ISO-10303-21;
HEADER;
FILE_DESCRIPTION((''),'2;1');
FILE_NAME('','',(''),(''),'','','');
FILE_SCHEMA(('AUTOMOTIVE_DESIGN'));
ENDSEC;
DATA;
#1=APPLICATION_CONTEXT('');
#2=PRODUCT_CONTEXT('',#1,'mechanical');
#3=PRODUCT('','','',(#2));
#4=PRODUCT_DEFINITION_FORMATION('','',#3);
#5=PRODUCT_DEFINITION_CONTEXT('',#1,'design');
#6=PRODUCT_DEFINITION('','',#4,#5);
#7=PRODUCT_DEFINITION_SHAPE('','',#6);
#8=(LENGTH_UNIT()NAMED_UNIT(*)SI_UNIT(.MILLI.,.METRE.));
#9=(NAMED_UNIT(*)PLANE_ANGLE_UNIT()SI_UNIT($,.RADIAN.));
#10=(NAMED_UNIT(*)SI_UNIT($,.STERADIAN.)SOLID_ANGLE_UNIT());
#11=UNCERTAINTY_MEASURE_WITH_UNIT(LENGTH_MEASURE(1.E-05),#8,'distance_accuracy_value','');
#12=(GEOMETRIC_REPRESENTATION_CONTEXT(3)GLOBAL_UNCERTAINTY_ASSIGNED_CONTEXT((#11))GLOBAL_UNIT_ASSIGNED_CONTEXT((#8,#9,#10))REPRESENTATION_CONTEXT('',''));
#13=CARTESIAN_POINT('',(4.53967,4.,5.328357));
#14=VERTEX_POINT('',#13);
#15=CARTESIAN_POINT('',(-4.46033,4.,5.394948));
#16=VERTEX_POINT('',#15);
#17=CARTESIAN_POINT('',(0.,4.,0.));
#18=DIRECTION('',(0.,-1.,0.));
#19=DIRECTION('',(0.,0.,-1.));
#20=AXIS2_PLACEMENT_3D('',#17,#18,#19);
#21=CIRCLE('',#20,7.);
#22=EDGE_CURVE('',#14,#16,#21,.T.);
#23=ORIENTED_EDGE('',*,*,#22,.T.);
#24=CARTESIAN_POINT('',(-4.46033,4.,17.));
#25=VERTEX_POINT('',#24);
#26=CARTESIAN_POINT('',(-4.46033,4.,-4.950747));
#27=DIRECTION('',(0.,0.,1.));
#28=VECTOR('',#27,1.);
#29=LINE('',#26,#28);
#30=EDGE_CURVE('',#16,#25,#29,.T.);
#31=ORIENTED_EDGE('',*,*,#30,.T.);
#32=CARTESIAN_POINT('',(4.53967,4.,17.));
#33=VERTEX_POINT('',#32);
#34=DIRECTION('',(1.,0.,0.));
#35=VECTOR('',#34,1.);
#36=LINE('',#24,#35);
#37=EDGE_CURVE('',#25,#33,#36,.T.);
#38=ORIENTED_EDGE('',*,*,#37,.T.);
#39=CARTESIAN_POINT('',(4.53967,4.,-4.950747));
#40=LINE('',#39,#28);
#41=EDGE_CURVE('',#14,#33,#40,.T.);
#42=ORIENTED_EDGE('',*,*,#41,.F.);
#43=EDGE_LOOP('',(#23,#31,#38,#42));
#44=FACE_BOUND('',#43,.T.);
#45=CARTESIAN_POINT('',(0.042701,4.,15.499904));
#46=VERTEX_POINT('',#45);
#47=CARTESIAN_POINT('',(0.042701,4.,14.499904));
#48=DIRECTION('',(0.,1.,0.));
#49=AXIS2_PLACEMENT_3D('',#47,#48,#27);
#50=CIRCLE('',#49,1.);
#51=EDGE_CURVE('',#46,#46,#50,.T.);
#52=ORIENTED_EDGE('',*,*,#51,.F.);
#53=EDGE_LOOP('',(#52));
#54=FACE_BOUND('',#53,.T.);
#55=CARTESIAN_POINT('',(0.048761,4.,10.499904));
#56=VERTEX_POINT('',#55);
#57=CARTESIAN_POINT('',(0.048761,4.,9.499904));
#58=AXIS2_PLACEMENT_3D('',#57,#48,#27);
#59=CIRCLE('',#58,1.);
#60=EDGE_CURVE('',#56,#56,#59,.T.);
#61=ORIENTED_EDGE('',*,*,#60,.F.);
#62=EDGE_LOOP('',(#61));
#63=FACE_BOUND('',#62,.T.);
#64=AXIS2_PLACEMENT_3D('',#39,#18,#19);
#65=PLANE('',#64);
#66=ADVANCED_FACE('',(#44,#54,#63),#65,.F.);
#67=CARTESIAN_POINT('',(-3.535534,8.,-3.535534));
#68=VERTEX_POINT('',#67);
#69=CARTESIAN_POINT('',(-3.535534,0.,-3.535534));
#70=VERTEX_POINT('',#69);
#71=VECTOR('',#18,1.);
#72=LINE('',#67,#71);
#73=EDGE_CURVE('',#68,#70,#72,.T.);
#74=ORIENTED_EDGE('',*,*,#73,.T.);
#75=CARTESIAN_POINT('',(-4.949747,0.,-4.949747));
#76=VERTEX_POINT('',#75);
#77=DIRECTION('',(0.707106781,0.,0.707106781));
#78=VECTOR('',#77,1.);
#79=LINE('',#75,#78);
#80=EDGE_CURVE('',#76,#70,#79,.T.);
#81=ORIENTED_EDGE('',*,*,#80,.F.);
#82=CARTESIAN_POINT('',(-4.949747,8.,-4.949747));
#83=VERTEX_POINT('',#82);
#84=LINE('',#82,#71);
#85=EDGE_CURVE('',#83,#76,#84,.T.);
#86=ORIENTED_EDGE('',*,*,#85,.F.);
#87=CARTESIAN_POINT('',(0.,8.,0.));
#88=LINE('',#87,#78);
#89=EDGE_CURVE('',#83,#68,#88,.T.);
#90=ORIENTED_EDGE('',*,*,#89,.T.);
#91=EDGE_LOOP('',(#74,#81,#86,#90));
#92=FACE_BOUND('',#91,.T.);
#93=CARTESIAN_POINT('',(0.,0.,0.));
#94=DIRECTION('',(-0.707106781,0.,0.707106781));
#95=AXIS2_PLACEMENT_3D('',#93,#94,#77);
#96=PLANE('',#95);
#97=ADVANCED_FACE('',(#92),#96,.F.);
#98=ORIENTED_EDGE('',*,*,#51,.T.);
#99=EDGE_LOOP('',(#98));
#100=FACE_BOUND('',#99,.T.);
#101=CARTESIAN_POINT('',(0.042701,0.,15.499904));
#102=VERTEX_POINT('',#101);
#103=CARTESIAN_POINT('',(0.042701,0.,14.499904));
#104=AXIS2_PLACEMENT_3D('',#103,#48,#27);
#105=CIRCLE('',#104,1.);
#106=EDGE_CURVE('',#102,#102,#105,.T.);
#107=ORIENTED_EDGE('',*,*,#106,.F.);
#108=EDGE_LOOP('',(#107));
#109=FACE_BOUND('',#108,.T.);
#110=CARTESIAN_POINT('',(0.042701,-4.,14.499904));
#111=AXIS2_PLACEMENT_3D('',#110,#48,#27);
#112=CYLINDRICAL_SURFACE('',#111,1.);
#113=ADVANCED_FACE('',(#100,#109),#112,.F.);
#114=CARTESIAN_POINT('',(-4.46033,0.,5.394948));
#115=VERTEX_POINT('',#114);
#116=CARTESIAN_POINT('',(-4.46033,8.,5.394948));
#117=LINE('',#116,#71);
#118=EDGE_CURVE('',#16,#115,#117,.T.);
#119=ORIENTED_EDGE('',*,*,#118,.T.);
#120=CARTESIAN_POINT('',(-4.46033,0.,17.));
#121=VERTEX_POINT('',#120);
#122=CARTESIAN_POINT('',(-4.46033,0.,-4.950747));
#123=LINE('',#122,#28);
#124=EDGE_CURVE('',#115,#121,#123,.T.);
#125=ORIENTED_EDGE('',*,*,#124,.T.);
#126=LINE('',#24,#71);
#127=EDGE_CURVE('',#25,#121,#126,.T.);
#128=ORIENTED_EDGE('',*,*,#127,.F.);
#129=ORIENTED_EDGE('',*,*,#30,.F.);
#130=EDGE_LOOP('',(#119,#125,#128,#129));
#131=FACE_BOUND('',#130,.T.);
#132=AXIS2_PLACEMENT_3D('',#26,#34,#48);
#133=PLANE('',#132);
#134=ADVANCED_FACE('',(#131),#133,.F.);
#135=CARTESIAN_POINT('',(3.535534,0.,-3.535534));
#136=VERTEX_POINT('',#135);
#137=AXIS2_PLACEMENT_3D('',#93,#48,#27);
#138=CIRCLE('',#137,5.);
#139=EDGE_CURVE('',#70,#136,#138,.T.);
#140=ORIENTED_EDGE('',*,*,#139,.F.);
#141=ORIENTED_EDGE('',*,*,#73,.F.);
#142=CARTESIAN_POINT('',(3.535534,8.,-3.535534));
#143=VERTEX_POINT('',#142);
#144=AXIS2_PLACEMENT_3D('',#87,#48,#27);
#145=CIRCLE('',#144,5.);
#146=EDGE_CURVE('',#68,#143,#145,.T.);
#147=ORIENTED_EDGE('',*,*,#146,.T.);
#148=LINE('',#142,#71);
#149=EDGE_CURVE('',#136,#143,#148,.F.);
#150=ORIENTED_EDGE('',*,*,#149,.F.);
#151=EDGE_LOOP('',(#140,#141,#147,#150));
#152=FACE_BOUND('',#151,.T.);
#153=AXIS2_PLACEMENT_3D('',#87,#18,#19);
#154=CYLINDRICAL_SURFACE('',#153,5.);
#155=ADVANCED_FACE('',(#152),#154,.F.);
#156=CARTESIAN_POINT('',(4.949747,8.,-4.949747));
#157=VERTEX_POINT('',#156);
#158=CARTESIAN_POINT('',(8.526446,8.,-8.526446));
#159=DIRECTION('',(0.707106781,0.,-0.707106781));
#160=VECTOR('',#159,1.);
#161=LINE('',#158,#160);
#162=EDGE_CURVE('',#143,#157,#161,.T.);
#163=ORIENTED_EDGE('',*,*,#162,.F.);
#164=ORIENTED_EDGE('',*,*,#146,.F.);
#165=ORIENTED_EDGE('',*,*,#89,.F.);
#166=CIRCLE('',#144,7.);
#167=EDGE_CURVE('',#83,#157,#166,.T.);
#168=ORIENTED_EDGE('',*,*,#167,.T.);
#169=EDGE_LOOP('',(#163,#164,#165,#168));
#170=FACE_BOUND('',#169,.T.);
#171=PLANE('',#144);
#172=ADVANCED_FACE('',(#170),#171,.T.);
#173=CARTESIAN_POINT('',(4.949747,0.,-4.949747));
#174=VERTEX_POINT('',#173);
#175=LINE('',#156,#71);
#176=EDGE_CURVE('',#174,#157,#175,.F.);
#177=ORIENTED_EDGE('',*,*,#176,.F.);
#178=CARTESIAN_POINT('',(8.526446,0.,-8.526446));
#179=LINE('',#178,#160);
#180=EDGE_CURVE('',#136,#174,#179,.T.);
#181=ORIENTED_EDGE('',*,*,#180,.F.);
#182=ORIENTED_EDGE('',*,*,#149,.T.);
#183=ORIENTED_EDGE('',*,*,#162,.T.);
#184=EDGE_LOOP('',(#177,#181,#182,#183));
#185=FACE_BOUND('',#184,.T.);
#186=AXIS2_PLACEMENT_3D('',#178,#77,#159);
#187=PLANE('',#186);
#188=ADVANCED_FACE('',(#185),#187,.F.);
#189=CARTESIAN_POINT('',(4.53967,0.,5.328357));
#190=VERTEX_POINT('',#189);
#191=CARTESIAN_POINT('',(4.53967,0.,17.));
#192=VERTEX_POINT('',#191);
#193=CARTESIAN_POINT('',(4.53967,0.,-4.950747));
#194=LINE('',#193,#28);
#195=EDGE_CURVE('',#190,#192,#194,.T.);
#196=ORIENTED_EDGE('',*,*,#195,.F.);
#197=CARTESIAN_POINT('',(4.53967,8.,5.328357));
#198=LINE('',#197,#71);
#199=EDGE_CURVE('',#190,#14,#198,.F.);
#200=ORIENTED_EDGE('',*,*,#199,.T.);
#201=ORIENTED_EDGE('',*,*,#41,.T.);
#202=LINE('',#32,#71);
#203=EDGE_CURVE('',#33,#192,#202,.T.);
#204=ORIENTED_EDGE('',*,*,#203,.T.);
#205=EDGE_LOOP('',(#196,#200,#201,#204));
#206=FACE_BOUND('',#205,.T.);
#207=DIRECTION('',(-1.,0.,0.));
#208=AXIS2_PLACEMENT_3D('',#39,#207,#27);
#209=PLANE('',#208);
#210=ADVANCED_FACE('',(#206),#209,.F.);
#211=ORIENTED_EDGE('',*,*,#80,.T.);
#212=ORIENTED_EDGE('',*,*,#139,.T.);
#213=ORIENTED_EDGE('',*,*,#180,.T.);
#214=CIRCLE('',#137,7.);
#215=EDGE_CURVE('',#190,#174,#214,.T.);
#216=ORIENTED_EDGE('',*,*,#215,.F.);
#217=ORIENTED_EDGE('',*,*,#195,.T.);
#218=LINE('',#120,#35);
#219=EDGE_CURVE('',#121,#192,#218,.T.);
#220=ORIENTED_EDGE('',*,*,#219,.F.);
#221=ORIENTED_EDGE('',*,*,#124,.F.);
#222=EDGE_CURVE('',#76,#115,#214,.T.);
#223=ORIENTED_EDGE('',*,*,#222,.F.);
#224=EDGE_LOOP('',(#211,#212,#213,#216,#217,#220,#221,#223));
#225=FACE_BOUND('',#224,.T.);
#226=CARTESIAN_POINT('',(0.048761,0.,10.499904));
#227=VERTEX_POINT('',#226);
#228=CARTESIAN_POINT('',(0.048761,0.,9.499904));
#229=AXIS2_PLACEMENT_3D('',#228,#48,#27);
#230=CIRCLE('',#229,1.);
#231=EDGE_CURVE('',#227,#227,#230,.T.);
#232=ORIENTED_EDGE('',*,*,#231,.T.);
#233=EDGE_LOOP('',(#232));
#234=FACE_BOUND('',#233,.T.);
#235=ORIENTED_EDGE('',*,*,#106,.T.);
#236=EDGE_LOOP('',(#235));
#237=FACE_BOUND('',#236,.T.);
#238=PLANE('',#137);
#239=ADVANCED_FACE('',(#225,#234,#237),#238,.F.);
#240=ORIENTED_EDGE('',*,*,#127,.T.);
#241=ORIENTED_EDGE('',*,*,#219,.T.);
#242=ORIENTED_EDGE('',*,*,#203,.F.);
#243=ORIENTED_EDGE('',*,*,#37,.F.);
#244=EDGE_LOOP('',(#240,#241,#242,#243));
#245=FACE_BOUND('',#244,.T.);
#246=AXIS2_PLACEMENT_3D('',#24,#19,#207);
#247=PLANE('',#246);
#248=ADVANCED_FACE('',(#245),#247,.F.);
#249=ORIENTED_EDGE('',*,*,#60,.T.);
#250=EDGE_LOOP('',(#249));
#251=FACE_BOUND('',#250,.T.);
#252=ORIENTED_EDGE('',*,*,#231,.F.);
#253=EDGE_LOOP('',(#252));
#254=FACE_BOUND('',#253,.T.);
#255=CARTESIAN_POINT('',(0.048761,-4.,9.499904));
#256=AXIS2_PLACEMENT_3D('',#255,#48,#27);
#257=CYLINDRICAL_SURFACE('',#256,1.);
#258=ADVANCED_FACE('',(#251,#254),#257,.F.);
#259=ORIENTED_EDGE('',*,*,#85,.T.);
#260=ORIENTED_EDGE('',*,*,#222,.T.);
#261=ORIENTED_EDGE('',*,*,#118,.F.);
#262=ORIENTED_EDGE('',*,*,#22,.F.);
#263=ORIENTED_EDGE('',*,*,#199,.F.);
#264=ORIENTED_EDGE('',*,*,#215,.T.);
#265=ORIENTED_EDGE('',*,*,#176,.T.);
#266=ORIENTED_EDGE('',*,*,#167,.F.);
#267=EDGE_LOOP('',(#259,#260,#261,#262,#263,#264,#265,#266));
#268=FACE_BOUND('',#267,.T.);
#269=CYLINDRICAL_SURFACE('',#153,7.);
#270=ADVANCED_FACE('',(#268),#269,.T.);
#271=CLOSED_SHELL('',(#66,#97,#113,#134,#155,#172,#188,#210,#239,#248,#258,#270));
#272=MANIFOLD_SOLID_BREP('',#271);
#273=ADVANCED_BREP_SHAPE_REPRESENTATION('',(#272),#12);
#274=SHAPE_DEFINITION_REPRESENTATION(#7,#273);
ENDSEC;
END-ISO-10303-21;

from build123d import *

# Parameters (mm, degrees)
SKETCH1_R                = 7
SKETCH1_R_2              = 5
BOSS_EXTRUDE1_DEPTH      = 8
CUT_EXTRUDE1_DEPTH       = 8
SKETCH5_W                = 9
SKETCH5_H                = 10
BOSS_EXTRUDE2_DEPTH      = 4
BOSS_EXTRUDE4_REACH      = 17.994
BOSS_EXTRUDE4_END_RADIUS = 7
SKETCH6_W                = 9
SKETCH6_H                = 4
SKETCH8_R                = 1
CUT_EXTRUDE2_DEPTH       = 8


with BuildPart() as part:
    # Sketch1 → Boss-Extrude1 (new body)
    with BuildSketch(Plane(origin=(0, 0, 0), x_dir=(1, 0, 0), z_dir=(0, 1, 0))):
        with Locations(Location((0, 0, 0), (0, 0, 270))):
            Circle(SKETCH1_R)
        with Locations(Location((0, 0, 0), (0, 0, 270))):
            Circle(SKETCH1_R_2, mode=Mode.SUBTRACT)
    extrude(amount=BOSS_EXTRUDE1_DEPTH)

    # Sketch2 → Cut-Extrude1 (cut)
    with BuildSketch(Plane(origin=(0, 8, 0), x_dir=(1, 0, 0), z_dir=(0, 1, 0))):
        Polygon((0, 0), (-4.949747468, 4.949747468), (-8.526445785, 8.526445785), (8.526445785, 8.526445785), align=None)
    extrude(amount=-CUT_EXTRUDE1_DEPTH, mode=Mode.SUBTRACT)



with BuildPart() as body_2:
    # Sketch5 → Boss-Extrude2 (new body)
    with BuildSketch(Plane(origin=(0, 0, 0), x_dir=(1, 0, 0), z_dir=(0, 1, 0))):
        with Locations((0.039670369, -12)):
            Rectangle(SKETCH5_W, SKETCH5_H)
    extrude(amount=BOSS_EXTRUDE2_DEPTH)


with BuildPart() as part_1:
    add(part.part)

    add(body_2.part)  # Boss-Extrude4 merges body 2
    # Boss-Extrude4: up to this cylinder (the profile starts outside it)
    boss_extrude4_end = Plane(origin=(0, 2, 0), z_dir=(0, -1, 0)) * Cylinder(BOSS_EXTRUDE4_END_RADIUS, 50.988, mode=Mode.PRIVATE)
    # Sketch6 → Boss-Extrude4 (add, up to the surface)
    with BuildSketch(Plane(origin=(0, 0, 7), x_dir=(-1, 0, 0), z_dir=(0, 0, -1)), mode=Mode.PRIVATE) as boss_extrude4_sk1:
        with Locations((-0.039670369, 2)):
            Rectangle(SKETCH6_W, SKETCH6_H)
    boss_extrude4_tool1 = extrude(boss_extrude4_sk1.sketch, amount=BOSS_EXTRUDE4_REACH, mode=Mode.PRIVATE) - boss_extrude4_end
    add(boss_extrude4_tool1.solids().sort_by_distance((0.03967, 2, 7))[0])
    add(boss_extrude4_tool1.solids().sort_by_distance((0.03967, 2, 7))[1])

    # Sketch8 → Cut-Extrude2 (cut)
    with BuildSketch(Plane(origin=(0, 4, 0), x_dir=(1, 0, 0), z_dir=(0, 1, 0))):
        with Locations(Location((0.048760734, -9.499904202, 0), (0, 0, 270))):
            Circle(SKETCH8_R)
        with Locations(Location((0.042700568, -14.499904202, 0), (0, 0, 270))):
            Circle(SKETCH8_R)
    extrude(amount=-CUT_EXTRUDE2_DEPTH, mode=Mode.SUBTRACT)


solid = part_1.part
